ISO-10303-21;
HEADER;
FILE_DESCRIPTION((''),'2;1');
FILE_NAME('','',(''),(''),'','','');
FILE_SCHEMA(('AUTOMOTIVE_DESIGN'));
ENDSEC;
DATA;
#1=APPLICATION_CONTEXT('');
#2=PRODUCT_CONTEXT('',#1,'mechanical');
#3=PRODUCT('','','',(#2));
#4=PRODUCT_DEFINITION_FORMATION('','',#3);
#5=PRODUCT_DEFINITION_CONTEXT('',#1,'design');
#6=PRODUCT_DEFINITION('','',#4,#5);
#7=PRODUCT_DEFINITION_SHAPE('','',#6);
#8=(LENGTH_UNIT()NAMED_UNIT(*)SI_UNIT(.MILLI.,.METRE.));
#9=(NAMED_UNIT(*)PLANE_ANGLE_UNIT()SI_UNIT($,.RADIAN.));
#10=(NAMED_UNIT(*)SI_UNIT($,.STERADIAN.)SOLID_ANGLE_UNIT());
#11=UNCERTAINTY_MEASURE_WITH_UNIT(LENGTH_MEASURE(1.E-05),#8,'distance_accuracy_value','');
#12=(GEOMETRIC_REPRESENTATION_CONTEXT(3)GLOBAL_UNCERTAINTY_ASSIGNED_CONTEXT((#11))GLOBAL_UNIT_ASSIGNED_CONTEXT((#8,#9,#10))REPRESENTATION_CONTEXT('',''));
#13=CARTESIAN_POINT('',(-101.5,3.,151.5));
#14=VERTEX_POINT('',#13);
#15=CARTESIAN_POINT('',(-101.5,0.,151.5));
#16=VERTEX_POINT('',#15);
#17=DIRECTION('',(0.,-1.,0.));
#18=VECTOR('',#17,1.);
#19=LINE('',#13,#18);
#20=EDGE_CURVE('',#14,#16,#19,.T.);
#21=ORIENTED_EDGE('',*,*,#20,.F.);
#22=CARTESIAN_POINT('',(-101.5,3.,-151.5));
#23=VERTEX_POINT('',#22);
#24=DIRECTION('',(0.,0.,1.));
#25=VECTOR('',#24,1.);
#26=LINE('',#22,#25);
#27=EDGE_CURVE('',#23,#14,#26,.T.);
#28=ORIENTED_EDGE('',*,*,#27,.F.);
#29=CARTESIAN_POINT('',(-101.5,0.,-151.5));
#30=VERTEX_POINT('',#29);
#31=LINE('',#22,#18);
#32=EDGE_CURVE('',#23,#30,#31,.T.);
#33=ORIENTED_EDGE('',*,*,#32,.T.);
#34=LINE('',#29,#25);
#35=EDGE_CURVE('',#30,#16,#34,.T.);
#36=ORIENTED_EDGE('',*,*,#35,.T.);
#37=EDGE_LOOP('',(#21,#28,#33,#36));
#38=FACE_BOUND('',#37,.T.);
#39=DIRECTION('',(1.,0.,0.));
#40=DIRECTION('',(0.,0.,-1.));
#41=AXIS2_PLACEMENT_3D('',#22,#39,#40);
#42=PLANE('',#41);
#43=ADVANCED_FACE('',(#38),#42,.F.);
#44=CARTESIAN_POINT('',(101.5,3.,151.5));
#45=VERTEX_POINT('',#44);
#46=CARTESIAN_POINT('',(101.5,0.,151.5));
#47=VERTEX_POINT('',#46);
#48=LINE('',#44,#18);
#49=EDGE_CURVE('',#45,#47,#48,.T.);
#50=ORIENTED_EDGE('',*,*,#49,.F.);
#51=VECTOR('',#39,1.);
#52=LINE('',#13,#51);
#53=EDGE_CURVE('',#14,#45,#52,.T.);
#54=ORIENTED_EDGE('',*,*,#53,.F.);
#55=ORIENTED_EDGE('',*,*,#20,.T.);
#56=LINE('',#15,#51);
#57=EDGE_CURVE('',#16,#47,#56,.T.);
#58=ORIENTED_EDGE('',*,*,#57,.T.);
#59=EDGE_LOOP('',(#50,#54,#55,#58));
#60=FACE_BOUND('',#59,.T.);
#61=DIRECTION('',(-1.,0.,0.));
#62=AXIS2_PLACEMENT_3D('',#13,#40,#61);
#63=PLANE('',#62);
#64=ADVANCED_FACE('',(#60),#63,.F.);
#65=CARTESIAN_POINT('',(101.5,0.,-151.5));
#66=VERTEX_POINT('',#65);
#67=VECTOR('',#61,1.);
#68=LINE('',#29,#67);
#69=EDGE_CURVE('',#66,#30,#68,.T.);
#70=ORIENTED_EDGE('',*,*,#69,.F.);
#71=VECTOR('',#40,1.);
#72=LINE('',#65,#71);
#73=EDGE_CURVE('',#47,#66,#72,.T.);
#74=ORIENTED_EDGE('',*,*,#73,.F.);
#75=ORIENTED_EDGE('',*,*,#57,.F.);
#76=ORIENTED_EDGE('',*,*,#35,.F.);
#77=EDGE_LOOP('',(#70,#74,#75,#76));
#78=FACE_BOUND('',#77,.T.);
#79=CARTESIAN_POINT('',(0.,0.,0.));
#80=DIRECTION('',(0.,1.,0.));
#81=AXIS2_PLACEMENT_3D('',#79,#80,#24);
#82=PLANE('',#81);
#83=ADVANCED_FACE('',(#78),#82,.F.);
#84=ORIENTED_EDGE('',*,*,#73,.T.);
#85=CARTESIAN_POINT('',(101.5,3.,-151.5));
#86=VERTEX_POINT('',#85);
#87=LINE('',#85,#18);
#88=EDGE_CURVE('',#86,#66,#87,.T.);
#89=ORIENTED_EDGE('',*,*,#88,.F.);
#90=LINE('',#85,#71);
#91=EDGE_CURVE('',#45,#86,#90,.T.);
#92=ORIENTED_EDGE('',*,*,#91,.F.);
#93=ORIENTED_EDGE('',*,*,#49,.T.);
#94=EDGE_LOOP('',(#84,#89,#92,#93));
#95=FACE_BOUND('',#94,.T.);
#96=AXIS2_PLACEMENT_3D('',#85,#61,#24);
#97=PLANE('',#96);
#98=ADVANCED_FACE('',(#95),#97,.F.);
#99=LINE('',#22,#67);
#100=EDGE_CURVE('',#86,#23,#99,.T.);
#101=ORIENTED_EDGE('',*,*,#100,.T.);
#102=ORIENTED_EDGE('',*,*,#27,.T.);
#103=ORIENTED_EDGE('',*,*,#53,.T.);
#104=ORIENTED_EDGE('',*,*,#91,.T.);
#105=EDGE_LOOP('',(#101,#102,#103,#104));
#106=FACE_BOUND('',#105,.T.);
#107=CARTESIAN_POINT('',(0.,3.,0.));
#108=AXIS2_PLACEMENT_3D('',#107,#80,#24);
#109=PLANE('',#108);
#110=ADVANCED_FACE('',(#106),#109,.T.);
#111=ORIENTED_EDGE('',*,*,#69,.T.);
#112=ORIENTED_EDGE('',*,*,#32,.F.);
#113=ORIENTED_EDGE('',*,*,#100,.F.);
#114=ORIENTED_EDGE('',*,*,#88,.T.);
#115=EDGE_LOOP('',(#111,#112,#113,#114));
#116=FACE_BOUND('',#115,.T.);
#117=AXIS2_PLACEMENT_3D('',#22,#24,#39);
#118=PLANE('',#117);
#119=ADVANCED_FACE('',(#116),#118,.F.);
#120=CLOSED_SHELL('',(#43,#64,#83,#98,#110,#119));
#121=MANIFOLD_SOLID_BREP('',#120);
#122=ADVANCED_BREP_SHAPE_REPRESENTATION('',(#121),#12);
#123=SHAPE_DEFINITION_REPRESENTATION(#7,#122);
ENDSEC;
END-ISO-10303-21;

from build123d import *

# Parameters (mm, degrees)
SKETCH_1_W      = 203
SKETCH_1_H      = 303
EXTRUDE_1_DEPTH = 3


with BuildPart() as part:
    # 草图1 → 凸台-拉伸1 (new body)
    with BuildSketch(Plane(origin=(0, 0, 0), x_dir=(1, 0, 0), z_dir=(0, 1, 0))):
        Rectangle(SKETCH_1_W, SKETCH_1_H)
    extrude(amount=EXTRUDE_1_DEPTH)


solid = part.part
